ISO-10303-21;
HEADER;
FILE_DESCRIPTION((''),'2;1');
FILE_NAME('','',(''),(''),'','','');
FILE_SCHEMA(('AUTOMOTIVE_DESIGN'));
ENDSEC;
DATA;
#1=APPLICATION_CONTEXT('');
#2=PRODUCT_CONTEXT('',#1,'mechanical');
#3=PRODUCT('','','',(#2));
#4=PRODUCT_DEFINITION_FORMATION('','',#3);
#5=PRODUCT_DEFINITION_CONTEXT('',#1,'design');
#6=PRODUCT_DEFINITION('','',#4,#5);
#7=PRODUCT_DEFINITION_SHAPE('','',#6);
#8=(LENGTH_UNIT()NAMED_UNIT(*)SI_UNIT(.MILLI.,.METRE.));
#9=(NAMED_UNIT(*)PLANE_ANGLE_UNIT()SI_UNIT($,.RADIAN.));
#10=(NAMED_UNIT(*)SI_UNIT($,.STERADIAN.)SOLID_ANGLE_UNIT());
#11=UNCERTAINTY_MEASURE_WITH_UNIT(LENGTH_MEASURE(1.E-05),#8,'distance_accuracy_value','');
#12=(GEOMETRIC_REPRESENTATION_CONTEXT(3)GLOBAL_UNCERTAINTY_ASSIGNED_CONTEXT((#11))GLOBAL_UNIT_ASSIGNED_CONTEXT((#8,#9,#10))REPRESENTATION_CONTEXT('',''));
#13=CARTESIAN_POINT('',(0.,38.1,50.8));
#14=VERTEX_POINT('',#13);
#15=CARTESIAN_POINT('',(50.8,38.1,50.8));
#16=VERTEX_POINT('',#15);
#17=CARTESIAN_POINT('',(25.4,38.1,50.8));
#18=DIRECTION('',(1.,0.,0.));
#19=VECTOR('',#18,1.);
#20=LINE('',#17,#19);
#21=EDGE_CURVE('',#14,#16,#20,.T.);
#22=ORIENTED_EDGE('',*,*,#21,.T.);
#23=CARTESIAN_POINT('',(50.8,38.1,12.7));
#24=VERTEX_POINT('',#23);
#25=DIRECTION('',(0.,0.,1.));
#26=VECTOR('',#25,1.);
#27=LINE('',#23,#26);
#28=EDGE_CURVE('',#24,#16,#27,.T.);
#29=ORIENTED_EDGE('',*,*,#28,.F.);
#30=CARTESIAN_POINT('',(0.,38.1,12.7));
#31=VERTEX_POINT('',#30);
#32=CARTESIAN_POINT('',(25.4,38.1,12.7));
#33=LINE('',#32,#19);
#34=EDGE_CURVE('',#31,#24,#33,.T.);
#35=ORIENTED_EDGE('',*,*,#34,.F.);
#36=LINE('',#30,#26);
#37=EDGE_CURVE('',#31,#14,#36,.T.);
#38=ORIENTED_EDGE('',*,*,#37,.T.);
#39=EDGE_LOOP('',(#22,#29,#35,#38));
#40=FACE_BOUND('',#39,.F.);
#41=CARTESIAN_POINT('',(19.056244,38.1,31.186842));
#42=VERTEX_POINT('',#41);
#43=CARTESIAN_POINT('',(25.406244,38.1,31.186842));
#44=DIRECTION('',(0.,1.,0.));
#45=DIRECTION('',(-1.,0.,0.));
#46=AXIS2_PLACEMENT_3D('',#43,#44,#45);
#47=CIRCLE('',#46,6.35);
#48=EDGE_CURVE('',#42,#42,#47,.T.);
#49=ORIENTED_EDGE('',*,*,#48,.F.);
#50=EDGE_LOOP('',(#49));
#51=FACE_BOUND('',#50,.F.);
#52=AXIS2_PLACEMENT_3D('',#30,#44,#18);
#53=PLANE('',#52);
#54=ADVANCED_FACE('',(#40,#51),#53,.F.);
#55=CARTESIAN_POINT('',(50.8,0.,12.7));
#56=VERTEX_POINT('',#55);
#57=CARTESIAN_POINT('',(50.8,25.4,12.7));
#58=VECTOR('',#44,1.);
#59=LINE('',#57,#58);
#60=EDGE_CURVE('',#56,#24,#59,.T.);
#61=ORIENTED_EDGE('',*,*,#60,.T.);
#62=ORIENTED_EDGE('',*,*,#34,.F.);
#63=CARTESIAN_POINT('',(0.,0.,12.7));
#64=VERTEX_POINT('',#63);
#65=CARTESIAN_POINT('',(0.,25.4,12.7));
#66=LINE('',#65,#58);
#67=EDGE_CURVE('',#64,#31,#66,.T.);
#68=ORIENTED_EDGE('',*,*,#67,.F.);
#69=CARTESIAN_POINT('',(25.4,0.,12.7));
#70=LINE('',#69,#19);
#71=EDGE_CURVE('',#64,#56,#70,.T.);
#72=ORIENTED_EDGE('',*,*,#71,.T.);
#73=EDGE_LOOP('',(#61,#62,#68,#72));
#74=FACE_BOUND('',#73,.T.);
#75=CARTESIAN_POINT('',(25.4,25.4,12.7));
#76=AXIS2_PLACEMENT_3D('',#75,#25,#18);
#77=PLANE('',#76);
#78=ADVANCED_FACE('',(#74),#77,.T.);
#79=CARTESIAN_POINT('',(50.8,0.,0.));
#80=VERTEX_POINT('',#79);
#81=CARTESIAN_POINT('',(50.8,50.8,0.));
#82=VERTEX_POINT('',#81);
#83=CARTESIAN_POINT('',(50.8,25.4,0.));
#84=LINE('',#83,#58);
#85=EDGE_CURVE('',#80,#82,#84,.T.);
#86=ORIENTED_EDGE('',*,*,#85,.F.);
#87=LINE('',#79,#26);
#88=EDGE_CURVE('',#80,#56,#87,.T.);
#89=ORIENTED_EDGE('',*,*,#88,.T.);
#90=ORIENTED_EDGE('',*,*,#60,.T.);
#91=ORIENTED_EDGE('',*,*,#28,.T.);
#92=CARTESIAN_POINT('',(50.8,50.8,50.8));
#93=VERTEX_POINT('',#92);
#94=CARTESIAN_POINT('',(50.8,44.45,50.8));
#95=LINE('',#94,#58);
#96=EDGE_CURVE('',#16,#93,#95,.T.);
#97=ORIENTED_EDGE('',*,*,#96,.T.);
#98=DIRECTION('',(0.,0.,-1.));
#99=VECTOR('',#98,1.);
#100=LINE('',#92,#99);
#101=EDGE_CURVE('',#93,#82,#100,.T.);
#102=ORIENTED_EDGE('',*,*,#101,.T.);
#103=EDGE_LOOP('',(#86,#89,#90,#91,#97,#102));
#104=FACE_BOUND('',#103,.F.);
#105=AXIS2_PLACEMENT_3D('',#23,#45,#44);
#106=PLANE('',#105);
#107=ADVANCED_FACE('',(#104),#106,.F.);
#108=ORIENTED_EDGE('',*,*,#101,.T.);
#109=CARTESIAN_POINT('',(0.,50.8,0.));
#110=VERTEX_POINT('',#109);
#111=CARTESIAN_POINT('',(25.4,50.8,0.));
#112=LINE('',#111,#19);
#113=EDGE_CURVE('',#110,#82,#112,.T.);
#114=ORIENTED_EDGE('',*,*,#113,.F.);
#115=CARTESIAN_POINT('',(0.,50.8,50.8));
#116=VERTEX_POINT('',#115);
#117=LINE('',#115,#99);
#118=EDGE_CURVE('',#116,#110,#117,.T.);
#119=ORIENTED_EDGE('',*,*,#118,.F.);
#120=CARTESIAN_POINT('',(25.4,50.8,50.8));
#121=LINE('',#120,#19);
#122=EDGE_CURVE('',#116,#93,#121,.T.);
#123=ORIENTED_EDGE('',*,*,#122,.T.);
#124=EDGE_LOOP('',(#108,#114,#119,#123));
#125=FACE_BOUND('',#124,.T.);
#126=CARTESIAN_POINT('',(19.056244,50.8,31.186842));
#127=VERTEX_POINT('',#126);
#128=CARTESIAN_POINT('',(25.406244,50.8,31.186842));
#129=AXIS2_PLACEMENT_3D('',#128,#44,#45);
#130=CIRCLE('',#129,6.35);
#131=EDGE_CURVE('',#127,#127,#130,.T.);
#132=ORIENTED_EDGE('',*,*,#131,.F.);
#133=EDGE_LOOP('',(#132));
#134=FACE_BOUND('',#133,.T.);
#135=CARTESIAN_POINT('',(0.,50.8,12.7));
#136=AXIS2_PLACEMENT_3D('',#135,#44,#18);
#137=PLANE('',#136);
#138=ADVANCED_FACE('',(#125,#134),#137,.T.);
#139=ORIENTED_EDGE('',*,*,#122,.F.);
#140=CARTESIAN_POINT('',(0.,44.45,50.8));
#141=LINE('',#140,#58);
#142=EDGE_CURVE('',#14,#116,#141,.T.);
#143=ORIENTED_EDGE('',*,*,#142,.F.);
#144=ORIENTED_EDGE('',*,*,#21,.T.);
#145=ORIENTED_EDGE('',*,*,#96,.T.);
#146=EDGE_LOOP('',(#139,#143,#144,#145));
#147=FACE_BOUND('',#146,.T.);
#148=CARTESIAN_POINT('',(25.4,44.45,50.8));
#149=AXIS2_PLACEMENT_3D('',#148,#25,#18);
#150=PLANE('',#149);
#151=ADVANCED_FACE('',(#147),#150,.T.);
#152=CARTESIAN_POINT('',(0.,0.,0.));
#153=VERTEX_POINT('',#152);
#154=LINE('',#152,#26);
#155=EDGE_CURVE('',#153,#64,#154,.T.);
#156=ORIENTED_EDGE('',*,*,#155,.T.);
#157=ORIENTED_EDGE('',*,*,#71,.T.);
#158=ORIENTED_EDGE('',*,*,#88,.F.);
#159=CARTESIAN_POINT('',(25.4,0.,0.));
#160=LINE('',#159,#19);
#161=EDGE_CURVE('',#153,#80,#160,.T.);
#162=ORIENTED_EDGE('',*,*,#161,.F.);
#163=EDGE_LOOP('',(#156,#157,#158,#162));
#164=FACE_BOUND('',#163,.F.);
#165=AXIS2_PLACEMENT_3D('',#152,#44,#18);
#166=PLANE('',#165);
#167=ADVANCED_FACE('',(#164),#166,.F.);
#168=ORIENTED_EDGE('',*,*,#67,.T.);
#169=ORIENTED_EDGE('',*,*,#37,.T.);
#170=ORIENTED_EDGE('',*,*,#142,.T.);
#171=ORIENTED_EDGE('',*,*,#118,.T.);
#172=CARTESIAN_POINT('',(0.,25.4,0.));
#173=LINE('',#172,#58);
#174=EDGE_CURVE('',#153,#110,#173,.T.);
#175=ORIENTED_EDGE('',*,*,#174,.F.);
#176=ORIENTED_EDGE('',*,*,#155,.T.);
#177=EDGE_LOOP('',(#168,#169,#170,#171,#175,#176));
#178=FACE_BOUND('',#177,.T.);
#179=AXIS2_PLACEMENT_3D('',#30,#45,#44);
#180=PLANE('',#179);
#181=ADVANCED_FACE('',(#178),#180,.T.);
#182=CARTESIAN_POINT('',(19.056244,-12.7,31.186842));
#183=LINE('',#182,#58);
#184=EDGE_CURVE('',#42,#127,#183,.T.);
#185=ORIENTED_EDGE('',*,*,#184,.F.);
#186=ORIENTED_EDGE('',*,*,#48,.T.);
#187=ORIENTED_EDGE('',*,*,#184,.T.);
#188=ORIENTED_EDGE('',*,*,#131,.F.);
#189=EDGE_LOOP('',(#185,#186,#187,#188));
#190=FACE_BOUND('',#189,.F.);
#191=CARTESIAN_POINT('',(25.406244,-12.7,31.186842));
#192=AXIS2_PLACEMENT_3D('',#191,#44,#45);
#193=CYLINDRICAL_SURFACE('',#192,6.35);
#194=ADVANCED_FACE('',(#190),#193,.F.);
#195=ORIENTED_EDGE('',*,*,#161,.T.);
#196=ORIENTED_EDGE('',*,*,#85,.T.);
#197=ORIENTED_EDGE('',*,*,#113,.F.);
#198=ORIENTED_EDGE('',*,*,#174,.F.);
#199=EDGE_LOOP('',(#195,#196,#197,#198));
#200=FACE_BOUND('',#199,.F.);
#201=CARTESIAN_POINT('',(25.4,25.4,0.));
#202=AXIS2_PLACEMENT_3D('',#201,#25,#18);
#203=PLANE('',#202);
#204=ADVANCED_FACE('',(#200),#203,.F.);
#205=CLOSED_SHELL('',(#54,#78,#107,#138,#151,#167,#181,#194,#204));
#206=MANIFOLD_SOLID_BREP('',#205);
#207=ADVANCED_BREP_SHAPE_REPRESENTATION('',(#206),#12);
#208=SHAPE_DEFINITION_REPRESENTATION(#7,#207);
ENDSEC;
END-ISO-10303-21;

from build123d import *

# Parameters (mm, degrees)
F0_W     = 50.8
F0_H     = 50.8
F1_DEPTH = 12.7
F2_W     = 50.8
F2_H     = 12.7
F3_DEPTH = 38.1
F5_D     = 12.7
F5_DEPTH = 50.8


with BuildPart() as f1:
    # F0 (on Top) → F1 (new body)
    with BuildSketch(Plane.XY):
        with Locations((25.4, 25.4)):
            Rectangle(F0_W, F0_H)
    extrude(amount=F1_DEPTH)

    # F2 (on face) → F3 (join)
    with BuildSketch(Plane.XY.offset(12.7)):
        with Locations((25.4, 44.45)):
            Rectangle(F2_W, F2_H)
    extrude(amount=F3_DEPTH)

    # F5
    with Locations(Plane.XZ.offset(-38.1)):
        with Locations((25.406244, 31.186842)):
            Hole(F5_D / 2, depth=F5_DEPTH)


solid = f1.part
